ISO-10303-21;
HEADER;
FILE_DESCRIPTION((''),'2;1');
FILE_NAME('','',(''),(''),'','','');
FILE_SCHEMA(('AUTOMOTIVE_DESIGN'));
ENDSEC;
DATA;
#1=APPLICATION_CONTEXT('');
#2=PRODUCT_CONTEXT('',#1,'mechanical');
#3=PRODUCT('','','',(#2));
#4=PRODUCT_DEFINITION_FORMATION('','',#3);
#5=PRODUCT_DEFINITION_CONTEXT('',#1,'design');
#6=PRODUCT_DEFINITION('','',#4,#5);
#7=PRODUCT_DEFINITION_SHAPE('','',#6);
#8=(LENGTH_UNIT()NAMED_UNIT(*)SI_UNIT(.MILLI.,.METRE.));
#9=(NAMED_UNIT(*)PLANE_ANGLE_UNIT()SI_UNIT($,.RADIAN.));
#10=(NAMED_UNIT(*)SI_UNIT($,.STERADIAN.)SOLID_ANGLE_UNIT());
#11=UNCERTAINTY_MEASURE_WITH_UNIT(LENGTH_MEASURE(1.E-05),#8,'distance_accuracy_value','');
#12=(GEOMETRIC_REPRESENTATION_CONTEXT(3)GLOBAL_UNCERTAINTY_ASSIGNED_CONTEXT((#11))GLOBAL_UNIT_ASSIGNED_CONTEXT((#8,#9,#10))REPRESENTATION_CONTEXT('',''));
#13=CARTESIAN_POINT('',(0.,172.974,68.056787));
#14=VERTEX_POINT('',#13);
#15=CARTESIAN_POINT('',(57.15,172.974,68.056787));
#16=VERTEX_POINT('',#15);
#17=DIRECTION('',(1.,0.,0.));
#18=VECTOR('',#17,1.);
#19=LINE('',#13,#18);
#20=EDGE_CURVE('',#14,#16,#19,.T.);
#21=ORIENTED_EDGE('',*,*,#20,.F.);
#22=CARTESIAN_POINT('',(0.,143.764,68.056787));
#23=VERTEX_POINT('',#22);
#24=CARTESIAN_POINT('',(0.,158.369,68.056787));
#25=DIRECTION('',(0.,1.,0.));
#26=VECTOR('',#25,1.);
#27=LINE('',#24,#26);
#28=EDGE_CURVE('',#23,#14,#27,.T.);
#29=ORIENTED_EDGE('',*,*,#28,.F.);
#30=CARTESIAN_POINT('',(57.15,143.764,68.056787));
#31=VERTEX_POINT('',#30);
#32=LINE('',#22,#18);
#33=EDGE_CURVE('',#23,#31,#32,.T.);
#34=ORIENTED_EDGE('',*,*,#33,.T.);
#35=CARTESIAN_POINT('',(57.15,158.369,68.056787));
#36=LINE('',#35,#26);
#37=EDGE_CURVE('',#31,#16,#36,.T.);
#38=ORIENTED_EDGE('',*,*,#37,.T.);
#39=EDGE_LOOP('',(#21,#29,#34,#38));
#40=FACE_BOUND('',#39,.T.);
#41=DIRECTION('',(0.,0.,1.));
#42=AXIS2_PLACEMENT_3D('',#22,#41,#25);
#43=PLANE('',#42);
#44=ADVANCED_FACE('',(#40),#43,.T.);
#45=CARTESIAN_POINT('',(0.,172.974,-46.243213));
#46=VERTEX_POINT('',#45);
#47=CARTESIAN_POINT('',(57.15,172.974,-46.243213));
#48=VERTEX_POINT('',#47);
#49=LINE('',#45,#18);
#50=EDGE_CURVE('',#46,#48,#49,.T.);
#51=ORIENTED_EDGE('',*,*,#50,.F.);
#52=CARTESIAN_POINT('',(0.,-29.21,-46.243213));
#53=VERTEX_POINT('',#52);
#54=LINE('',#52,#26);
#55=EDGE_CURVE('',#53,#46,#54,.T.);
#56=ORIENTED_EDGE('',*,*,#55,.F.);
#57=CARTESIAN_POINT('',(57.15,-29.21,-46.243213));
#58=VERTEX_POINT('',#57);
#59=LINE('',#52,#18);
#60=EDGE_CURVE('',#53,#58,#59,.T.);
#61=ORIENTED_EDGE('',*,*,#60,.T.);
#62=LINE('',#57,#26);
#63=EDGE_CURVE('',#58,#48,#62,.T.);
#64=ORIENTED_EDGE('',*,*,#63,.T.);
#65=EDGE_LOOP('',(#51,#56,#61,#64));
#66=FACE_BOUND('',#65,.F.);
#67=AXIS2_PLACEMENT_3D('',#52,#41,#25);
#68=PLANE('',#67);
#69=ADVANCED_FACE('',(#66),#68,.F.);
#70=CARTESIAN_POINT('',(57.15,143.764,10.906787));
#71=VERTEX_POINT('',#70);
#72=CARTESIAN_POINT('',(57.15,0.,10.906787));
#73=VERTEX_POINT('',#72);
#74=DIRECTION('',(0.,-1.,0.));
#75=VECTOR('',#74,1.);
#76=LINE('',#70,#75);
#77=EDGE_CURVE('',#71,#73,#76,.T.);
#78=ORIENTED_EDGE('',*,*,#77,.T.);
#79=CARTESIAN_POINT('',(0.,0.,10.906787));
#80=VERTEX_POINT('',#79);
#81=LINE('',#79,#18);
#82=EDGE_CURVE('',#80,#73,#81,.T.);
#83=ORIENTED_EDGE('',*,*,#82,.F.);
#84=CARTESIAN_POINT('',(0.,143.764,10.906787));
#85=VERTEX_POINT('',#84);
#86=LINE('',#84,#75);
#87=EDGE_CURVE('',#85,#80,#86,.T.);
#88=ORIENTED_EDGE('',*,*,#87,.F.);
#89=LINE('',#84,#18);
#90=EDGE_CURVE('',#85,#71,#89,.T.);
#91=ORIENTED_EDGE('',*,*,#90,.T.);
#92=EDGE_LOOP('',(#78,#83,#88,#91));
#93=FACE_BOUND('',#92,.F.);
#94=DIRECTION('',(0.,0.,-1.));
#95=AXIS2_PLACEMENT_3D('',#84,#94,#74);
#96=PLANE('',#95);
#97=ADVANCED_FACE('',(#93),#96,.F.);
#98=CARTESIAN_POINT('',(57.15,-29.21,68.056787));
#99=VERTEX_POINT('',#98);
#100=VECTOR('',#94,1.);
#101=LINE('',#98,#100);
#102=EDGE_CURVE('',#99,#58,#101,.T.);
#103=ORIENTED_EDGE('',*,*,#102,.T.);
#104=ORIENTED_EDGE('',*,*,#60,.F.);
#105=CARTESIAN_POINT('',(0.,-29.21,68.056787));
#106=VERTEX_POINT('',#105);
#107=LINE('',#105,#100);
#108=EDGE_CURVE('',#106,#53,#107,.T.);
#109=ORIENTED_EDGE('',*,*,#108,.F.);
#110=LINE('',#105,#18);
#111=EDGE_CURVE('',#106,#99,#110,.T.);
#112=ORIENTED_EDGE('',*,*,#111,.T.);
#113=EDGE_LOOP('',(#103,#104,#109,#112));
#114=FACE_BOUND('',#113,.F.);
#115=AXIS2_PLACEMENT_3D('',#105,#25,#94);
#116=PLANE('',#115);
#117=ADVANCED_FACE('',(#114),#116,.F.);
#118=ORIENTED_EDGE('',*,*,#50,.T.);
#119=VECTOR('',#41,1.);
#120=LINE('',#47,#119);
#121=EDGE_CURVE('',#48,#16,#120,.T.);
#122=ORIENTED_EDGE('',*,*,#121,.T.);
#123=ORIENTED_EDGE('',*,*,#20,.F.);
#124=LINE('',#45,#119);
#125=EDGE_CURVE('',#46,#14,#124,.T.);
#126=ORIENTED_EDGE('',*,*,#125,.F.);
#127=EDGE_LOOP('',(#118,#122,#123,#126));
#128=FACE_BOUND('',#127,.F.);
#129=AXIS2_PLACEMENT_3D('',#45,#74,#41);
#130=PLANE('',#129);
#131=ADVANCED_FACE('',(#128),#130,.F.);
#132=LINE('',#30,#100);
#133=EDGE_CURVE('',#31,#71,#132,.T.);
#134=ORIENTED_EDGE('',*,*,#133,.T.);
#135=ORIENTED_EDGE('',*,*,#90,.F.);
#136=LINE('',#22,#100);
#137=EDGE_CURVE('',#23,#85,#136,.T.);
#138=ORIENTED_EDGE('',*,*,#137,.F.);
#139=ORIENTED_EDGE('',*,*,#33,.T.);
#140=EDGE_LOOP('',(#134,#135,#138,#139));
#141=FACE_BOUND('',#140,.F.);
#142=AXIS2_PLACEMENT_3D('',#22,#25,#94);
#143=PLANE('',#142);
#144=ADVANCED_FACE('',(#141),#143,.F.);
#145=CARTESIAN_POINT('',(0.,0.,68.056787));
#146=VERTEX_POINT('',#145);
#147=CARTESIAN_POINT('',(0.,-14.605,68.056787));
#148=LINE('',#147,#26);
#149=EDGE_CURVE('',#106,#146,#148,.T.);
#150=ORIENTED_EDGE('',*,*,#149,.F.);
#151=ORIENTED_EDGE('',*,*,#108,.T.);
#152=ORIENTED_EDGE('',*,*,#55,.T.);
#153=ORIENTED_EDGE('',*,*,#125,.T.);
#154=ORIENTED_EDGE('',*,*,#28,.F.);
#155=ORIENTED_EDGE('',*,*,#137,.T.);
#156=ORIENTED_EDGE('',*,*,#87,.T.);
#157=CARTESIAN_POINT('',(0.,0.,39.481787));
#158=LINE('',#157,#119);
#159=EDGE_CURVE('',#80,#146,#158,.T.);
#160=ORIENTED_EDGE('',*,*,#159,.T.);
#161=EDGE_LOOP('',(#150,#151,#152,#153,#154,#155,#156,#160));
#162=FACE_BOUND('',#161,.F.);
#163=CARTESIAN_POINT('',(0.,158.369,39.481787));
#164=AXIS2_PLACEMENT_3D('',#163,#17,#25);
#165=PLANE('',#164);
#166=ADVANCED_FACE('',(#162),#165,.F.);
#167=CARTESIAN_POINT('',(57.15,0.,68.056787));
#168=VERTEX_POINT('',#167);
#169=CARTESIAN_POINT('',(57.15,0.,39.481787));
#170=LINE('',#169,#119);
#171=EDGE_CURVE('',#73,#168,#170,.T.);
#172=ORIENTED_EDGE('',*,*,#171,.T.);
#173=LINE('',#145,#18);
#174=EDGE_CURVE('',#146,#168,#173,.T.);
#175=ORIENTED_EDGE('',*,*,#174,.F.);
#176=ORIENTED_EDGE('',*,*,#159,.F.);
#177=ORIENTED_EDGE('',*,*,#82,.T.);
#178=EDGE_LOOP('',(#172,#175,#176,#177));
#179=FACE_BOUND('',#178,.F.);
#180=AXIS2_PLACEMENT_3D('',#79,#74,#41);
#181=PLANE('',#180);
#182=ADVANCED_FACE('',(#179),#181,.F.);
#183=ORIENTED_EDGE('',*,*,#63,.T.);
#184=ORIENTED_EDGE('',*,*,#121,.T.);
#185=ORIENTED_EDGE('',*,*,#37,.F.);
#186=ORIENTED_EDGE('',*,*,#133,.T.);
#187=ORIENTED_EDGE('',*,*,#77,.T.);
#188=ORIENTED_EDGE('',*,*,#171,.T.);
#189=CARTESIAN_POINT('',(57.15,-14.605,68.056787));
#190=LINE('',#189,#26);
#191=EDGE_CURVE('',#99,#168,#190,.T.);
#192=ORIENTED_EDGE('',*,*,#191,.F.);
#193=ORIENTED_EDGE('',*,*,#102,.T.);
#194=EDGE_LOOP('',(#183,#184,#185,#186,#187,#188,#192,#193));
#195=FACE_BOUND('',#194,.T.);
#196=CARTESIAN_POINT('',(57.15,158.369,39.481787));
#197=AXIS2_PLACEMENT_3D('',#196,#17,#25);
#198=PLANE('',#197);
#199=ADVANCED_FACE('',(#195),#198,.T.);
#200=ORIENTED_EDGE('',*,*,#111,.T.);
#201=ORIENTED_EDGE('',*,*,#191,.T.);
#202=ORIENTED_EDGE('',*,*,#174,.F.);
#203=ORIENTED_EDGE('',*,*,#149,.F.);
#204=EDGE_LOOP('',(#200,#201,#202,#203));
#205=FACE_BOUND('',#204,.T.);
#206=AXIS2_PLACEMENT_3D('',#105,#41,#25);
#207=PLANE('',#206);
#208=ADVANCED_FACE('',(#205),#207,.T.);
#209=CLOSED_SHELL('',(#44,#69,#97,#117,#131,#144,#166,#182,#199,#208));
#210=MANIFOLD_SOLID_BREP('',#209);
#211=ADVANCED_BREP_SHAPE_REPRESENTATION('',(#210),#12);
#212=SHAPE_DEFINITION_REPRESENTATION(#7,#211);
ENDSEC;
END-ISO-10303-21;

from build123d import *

# Parameters (mm, degrees)
F0_W     = 29.21
F0_H     = 57.15
F0_W_2   = 143.764
F1_DEPTH = 57.15


with BuildPart() as f1:
    # F0 (on Right) → F1 (new body)
    with BuildSketch(Plane.YZ):
        with Locations((158.369, 39.481787)):
            Rectangle(F0_W, F0_H)
        with Locations((158.369, -17.668213)):
            Rectangle(F0_W, F0_H)
        with Locations((71.882, -17.668213)):
            Rectangle(F0_W_2, F0_H)
        with Locations((-14.605, -17.668213)):
            Rectangle(F0_W, F0_H)
        with Locations((-14.605, 39.481787)):
            Rectangle(F0_W, F0_H)
    extrude(amount=F1_DEPTH)


solid = f1.part
